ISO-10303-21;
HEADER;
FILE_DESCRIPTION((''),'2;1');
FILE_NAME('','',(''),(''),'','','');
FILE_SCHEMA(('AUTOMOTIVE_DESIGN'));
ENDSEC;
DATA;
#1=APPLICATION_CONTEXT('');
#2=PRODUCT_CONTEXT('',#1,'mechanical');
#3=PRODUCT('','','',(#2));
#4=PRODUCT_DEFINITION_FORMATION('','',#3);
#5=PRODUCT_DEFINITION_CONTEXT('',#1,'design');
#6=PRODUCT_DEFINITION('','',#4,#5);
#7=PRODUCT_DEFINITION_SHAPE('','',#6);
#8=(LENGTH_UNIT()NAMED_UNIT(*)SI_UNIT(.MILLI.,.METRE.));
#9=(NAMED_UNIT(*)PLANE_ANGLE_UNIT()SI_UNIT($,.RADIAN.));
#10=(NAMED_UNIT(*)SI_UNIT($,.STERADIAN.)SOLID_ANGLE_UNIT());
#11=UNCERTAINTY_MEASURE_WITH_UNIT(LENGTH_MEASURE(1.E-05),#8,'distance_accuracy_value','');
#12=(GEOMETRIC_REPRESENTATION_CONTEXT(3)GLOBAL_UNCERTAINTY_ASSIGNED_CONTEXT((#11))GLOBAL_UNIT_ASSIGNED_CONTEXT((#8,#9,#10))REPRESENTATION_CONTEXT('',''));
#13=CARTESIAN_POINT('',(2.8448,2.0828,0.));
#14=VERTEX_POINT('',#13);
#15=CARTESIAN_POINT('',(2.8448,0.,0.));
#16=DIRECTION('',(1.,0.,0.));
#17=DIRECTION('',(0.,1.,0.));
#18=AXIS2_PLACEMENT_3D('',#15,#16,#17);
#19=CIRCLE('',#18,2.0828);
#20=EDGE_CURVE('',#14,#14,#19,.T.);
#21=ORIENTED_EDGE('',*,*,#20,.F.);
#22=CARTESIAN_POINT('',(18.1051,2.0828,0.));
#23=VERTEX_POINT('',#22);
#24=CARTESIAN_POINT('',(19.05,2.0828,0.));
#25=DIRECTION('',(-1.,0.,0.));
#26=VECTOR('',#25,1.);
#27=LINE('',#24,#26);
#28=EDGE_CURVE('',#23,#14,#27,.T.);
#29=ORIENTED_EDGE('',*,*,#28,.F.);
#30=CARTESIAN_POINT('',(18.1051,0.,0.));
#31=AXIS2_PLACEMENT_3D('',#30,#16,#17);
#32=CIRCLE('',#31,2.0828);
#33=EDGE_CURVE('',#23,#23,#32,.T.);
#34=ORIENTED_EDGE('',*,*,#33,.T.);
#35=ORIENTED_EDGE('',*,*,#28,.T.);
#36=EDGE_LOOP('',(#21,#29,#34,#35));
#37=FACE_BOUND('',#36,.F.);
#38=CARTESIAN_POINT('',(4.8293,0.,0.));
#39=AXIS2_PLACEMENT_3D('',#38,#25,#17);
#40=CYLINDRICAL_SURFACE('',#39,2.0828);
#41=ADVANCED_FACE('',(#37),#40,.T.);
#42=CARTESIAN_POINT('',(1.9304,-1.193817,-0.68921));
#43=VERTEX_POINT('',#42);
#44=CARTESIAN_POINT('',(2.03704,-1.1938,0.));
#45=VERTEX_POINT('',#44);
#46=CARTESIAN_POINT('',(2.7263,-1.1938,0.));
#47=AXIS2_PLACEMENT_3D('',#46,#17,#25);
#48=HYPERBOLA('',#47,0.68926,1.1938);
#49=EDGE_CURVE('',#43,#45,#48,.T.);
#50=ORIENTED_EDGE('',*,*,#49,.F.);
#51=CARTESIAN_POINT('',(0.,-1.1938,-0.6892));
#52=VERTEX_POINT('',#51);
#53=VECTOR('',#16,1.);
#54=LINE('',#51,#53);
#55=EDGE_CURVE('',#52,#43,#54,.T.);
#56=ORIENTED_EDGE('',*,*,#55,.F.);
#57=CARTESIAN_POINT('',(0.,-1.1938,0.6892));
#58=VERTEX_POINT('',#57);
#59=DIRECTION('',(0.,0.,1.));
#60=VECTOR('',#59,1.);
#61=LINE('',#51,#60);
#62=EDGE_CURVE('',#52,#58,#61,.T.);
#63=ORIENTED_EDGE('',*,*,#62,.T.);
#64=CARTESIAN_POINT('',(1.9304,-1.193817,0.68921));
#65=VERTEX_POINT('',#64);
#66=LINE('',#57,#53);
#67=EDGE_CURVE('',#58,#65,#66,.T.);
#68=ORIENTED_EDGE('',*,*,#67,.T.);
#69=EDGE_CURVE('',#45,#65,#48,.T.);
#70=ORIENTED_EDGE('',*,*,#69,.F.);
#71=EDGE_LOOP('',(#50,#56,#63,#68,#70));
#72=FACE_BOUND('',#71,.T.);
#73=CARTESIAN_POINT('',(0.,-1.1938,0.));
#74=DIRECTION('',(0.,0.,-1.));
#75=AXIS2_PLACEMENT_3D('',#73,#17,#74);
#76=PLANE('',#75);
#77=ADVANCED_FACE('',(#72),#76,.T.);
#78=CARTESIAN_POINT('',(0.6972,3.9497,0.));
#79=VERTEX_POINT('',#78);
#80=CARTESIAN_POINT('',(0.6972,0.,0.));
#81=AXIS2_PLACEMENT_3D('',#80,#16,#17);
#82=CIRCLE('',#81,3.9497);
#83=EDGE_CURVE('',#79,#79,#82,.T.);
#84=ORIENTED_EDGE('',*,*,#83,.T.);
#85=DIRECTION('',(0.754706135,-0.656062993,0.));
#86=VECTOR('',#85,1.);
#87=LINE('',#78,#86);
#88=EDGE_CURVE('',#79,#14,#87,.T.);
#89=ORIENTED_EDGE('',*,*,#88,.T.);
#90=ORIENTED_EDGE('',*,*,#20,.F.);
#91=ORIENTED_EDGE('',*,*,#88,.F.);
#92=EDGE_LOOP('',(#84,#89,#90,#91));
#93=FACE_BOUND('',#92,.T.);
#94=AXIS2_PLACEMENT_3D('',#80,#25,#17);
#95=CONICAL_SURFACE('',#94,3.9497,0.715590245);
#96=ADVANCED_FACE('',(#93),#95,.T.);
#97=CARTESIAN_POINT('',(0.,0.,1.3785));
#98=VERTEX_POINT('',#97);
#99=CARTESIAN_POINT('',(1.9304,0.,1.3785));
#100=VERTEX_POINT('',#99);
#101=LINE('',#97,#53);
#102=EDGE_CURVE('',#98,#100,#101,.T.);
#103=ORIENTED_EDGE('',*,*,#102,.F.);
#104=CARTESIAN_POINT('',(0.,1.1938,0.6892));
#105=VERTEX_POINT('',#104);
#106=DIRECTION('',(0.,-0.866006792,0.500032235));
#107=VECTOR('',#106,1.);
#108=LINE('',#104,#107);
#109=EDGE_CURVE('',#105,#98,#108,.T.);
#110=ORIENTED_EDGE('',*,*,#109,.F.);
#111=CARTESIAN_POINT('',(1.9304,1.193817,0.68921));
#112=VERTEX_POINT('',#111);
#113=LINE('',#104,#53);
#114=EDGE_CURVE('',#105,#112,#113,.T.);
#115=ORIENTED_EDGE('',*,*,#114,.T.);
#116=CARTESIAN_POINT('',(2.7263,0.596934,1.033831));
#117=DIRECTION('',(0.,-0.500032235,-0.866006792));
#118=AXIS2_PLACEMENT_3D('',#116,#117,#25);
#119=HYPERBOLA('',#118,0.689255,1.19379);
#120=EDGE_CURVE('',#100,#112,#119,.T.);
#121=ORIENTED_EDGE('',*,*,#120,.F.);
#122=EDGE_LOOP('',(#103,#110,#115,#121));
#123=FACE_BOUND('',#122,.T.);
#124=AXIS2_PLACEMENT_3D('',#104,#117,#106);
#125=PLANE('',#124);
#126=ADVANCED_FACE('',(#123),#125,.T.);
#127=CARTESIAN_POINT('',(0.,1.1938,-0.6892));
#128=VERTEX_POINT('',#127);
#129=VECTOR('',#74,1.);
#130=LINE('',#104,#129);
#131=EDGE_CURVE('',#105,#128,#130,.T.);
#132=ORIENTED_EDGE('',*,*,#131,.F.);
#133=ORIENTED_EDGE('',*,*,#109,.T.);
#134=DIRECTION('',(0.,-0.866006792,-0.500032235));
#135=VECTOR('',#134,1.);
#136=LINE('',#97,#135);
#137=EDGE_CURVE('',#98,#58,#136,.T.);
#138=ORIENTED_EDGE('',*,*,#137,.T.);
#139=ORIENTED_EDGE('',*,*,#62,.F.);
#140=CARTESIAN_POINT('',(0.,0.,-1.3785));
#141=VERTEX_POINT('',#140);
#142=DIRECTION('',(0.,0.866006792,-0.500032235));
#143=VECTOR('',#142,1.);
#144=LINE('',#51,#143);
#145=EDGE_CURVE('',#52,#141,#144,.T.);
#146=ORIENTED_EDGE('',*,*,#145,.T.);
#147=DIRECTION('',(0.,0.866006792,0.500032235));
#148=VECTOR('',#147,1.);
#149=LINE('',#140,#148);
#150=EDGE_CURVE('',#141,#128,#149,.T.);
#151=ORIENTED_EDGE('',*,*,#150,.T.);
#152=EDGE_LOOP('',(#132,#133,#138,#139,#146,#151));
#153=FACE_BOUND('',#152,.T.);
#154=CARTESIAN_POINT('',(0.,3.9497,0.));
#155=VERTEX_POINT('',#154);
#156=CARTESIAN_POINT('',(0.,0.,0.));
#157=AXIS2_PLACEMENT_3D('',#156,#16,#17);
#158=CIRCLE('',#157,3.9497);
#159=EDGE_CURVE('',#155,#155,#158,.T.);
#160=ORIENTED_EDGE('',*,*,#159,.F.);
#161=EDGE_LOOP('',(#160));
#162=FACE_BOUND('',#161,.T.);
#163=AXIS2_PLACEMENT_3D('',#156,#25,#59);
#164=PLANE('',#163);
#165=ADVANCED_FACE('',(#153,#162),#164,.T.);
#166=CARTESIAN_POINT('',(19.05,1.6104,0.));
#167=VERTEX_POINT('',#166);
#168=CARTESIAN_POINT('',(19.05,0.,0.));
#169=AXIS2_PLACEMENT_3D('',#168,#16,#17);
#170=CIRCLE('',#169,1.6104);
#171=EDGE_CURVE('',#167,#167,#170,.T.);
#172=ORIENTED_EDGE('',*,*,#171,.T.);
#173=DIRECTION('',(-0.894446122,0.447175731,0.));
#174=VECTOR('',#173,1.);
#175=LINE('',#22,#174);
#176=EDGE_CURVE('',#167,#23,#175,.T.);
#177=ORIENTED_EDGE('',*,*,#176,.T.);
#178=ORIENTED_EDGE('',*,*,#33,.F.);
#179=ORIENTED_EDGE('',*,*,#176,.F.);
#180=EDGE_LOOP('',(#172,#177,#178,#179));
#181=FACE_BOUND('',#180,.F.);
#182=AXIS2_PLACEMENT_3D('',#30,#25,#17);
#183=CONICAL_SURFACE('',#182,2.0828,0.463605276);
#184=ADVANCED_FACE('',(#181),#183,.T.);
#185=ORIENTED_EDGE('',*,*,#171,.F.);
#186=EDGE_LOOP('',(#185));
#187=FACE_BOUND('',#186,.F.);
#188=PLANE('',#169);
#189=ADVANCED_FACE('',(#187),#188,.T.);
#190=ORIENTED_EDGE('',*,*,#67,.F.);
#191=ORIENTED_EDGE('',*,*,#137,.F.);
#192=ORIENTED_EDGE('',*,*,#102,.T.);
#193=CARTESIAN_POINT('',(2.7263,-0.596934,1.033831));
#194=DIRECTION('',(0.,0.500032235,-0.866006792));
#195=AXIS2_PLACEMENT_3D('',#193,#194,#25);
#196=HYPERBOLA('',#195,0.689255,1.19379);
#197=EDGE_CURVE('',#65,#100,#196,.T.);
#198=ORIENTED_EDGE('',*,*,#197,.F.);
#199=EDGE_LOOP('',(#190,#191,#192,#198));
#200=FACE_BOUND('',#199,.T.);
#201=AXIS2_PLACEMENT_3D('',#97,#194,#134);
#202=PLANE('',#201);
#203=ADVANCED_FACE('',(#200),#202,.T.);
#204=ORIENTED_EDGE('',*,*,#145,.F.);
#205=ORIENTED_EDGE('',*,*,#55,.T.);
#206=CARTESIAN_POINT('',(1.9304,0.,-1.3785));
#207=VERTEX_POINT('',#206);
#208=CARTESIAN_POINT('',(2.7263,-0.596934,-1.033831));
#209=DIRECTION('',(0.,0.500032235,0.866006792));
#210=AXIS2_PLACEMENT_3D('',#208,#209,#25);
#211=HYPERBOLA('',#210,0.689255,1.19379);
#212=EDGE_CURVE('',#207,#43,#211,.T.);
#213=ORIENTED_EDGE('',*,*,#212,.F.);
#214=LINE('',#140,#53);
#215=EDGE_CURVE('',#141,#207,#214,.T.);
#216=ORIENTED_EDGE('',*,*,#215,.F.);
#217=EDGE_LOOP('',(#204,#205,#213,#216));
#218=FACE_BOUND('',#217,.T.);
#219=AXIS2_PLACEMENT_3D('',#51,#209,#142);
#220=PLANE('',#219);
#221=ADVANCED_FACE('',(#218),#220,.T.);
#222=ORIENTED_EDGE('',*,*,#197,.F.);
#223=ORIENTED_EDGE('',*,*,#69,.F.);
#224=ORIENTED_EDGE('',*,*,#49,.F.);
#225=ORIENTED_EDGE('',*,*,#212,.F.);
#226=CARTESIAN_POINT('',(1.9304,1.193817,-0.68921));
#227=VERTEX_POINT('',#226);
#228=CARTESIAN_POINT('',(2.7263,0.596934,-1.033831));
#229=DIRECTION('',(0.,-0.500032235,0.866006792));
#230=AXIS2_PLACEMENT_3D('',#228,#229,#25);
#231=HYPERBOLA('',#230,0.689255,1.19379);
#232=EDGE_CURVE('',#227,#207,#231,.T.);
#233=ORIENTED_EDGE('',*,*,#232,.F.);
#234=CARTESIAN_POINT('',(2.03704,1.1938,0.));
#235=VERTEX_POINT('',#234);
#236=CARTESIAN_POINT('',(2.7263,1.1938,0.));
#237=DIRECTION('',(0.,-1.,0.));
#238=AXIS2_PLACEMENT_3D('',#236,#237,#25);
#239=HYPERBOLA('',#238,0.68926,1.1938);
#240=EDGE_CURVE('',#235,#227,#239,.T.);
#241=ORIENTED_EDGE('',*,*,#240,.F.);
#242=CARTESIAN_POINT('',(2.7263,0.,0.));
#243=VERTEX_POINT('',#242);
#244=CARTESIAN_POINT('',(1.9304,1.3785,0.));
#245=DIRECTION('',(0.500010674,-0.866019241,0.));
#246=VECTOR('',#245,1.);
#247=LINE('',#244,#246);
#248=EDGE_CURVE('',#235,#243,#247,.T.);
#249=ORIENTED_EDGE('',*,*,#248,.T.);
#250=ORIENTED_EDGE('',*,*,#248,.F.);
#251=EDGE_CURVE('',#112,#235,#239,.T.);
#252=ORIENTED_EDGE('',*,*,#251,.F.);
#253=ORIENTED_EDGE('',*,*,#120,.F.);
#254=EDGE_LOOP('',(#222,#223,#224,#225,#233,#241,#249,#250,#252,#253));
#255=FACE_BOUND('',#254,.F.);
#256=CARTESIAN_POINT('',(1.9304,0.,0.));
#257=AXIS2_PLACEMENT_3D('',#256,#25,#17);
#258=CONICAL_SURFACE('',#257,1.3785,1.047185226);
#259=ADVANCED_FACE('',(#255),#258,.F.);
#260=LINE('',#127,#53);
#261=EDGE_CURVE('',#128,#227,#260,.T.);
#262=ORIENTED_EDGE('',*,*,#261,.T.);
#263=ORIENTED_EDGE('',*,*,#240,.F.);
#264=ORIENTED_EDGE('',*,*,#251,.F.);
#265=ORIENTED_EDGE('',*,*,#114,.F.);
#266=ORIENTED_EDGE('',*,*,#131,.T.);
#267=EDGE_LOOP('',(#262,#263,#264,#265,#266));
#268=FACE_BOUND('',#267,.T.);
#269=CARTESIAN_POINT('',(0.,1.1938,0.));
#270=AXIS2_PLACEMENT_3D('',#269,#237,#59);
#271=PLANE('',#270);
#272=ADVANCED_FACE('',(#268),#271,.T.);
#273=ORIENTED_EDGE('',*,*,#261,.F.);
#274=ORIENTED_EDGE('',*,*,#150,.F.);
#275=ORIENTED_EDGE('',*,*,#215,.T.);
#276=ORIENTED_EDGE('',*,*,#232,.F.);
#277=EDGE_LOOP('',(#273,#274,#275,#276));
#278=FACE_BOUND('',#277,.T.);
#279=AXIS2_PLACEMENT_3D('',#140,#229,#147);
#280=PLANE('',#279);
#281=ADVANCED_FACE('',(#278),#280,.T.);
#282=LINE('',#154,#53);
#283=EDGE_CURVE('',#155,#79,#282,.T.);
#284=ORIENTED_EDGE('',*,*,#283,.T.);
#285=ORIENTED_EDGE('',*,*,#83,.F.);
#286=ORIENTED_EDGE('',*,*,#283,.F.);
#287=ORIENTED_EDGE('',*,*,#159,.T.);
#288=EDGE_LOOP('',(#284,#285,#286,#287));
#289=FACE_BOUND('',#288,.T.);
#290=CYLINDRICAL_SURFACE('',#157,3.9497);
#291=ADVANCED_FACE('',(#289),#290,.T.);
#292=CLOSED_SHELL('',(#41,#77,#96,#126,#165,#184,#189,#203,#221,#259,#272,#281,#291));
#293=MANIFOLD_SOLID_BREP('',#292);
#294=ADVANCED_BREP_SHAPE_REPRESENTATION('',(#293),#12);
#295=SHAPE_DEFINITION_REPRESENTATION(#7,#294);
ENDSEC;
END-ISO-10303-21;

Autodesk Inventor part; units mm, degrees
ref_plane "YZ Plane" through (0, 0, 0) normal (1, 0, 0) x (0, 1, 0)
ref_plane "XZ Plane" through (0, 0, 0) normal (0, 1, 0) x (-1, 0, 0)
sketch "Sketch1" plane through (0, 0, 0) normal (0, 0, 1) x (1, 0, 0)
  line L0 (19.05, 0) -> (19.05, 2.0828)
  line L1 (19.05, 2.0828) -> (4.8293, 2.0828)
  line L2 (4.8293, 2.0828) -> (2.8448, 2.0828)
  line L3 (0, 3.9497) -> (0, 1.3785)
  line L4 (0, 1.3785) -> (1.9304, 1.3785)
  line L5 (1.9304, 1.3785) -> (2.7263, 0)
  line L6 (2.7263, 0) -> (19.05, 0)
  line L7 (0, 3.9497) -> (0.6972, 3.9497)
  line L8 (0.6972, 3.9497) -> (2.8448, 2.0828)
  line L9 (2.8448, 2.0828) -> (2.8448, 2.0828)
  line L10 (4.8293, 2.0828) -> (2.8448, 2.0828) construction
  line L11 (2.8448, 2.0828) -> (2.8448, 2.0828)
  line L12 (-3.81, 0) -> (22.86, 0) projected
  line L13 (0, -0.7899) -> (0, 4.7396) projected
  dimension "d0" = 19.05
  dimension "d1" = 14.2207
  dimension "d2" = 1.9304
  dimension "d3" = 4.1656
  dimension "d6" = 2.8448
  dimension "d7" = 41
  dimension "d8" = 2.757
  dimension "d9" = 60
  dimension "d10" = 7.8994
  dimension "d11" = 4.1656
  dimension "d12" = 1.9845
revolve "Body" add sketch "Sketch1" angle 360 about axis through (2.7263, 0, 0) along (1, 0, 0) contours L6 L5 L4 L3 L7 L8 L2 L1 L0
sketch "Sketch2" plane through (0, 0, 0) normal (-1, 0, 0) x (0, 0, 1)
  circle A0 centre (0, 0) radius 1.3785 projected
  line L0 (0, -5.5296) -> (0, 5.5296) projected
  line L1 (-5.5296, 0) -> (5.5296, 0) projected
  line L2 (1.3785, 0) -> (0.6892, -1.1938)
  line L3 (0.6892, -1.1938) -> (-0.6892, -1.1938)
  line L4 (-0.6892, -1.1938) -> (-1.3785, 0)
  line L5 (-1.3785, 0) -> (-0.6892, 1.1938)
  line L6 (-0.6892, 1.1938) -> (0.6892, 1.1938)
  line L7 (0.6892, 1.1938) -> (1.3785, 0)
  point P0 (0, 1.3785)
extrude "Slot" add sketch "Sketch2" against normal up to next contours L7 A0 | A0 L2 | L6 L0 A0 | A0 L0 L3 | L0 L6 A0 | A0 L3 L0 | L4 A0 | A0 L5
thread "Thread" size "8-32 UNC" class "2A" standard "ANSI Unified Screw Threads" length 14.2207
chamfer "Chamfer1" distance 0.4724 distance2 0.9449 1 edges at (19.05, -2.0828, 0) measured on face at (19.05, 0.3944, 0.7269)
ref_plane "Work Plane1" through (104.775, 0, 0) normal (0, 0, -1) x (1, 0, 0)
equation "\"d15\" = GEL"
equation "\"d17\" = -0.5 * SPD + 0.5 * GD"
equation "\"d18\" = GUL"
equation "\"d0\" = NLG"
equation "\"d1\" = GEL"
equation "\"d2\" = INTI"
equation "\"d3\" = GD"
equation "\"d6\" = KOH"
equation "\"d7\" = 0.5 * SEWI"
equation "\"d8\" = 1.1547 * SW"
equation "\"d10\" = KOD"
equation "\"d11\" = BDM"
equation "\"d12\" = GAL"
equation "\"NLG\" = 19.05"
equation "\"INTI\" = 1.9304"
equation "\"GEL\" = 14.2207"
equation "\"GAL\" = 1.9845"
equation "\"KOH\" = 2.8448"
equation "\"KOD\" = 7.8994"
equation "\"GUL\" = 0.94488"
equation "\"SPD\" = 3.22072"
equation "\"BDM\" = NND"
equation "\"GD\" = NND"
equation "\"SEWI\" = 82deg"
equation "\"SW\" = 2.3876"
equation "\"TOA\" = 30deg"
equation "\"GD1\" = SPD"
equation "\"THREADDIA\" = 4.1656"
equation "\"HHPTC\" = 0.79375"
equation "\"NND\" = 4.1656"
equation "\"E0\" = 1.155 * SW"
properties part number "ANSI B18.3 - 8-32 UNC x 0.75" material "Steel, Mild"
